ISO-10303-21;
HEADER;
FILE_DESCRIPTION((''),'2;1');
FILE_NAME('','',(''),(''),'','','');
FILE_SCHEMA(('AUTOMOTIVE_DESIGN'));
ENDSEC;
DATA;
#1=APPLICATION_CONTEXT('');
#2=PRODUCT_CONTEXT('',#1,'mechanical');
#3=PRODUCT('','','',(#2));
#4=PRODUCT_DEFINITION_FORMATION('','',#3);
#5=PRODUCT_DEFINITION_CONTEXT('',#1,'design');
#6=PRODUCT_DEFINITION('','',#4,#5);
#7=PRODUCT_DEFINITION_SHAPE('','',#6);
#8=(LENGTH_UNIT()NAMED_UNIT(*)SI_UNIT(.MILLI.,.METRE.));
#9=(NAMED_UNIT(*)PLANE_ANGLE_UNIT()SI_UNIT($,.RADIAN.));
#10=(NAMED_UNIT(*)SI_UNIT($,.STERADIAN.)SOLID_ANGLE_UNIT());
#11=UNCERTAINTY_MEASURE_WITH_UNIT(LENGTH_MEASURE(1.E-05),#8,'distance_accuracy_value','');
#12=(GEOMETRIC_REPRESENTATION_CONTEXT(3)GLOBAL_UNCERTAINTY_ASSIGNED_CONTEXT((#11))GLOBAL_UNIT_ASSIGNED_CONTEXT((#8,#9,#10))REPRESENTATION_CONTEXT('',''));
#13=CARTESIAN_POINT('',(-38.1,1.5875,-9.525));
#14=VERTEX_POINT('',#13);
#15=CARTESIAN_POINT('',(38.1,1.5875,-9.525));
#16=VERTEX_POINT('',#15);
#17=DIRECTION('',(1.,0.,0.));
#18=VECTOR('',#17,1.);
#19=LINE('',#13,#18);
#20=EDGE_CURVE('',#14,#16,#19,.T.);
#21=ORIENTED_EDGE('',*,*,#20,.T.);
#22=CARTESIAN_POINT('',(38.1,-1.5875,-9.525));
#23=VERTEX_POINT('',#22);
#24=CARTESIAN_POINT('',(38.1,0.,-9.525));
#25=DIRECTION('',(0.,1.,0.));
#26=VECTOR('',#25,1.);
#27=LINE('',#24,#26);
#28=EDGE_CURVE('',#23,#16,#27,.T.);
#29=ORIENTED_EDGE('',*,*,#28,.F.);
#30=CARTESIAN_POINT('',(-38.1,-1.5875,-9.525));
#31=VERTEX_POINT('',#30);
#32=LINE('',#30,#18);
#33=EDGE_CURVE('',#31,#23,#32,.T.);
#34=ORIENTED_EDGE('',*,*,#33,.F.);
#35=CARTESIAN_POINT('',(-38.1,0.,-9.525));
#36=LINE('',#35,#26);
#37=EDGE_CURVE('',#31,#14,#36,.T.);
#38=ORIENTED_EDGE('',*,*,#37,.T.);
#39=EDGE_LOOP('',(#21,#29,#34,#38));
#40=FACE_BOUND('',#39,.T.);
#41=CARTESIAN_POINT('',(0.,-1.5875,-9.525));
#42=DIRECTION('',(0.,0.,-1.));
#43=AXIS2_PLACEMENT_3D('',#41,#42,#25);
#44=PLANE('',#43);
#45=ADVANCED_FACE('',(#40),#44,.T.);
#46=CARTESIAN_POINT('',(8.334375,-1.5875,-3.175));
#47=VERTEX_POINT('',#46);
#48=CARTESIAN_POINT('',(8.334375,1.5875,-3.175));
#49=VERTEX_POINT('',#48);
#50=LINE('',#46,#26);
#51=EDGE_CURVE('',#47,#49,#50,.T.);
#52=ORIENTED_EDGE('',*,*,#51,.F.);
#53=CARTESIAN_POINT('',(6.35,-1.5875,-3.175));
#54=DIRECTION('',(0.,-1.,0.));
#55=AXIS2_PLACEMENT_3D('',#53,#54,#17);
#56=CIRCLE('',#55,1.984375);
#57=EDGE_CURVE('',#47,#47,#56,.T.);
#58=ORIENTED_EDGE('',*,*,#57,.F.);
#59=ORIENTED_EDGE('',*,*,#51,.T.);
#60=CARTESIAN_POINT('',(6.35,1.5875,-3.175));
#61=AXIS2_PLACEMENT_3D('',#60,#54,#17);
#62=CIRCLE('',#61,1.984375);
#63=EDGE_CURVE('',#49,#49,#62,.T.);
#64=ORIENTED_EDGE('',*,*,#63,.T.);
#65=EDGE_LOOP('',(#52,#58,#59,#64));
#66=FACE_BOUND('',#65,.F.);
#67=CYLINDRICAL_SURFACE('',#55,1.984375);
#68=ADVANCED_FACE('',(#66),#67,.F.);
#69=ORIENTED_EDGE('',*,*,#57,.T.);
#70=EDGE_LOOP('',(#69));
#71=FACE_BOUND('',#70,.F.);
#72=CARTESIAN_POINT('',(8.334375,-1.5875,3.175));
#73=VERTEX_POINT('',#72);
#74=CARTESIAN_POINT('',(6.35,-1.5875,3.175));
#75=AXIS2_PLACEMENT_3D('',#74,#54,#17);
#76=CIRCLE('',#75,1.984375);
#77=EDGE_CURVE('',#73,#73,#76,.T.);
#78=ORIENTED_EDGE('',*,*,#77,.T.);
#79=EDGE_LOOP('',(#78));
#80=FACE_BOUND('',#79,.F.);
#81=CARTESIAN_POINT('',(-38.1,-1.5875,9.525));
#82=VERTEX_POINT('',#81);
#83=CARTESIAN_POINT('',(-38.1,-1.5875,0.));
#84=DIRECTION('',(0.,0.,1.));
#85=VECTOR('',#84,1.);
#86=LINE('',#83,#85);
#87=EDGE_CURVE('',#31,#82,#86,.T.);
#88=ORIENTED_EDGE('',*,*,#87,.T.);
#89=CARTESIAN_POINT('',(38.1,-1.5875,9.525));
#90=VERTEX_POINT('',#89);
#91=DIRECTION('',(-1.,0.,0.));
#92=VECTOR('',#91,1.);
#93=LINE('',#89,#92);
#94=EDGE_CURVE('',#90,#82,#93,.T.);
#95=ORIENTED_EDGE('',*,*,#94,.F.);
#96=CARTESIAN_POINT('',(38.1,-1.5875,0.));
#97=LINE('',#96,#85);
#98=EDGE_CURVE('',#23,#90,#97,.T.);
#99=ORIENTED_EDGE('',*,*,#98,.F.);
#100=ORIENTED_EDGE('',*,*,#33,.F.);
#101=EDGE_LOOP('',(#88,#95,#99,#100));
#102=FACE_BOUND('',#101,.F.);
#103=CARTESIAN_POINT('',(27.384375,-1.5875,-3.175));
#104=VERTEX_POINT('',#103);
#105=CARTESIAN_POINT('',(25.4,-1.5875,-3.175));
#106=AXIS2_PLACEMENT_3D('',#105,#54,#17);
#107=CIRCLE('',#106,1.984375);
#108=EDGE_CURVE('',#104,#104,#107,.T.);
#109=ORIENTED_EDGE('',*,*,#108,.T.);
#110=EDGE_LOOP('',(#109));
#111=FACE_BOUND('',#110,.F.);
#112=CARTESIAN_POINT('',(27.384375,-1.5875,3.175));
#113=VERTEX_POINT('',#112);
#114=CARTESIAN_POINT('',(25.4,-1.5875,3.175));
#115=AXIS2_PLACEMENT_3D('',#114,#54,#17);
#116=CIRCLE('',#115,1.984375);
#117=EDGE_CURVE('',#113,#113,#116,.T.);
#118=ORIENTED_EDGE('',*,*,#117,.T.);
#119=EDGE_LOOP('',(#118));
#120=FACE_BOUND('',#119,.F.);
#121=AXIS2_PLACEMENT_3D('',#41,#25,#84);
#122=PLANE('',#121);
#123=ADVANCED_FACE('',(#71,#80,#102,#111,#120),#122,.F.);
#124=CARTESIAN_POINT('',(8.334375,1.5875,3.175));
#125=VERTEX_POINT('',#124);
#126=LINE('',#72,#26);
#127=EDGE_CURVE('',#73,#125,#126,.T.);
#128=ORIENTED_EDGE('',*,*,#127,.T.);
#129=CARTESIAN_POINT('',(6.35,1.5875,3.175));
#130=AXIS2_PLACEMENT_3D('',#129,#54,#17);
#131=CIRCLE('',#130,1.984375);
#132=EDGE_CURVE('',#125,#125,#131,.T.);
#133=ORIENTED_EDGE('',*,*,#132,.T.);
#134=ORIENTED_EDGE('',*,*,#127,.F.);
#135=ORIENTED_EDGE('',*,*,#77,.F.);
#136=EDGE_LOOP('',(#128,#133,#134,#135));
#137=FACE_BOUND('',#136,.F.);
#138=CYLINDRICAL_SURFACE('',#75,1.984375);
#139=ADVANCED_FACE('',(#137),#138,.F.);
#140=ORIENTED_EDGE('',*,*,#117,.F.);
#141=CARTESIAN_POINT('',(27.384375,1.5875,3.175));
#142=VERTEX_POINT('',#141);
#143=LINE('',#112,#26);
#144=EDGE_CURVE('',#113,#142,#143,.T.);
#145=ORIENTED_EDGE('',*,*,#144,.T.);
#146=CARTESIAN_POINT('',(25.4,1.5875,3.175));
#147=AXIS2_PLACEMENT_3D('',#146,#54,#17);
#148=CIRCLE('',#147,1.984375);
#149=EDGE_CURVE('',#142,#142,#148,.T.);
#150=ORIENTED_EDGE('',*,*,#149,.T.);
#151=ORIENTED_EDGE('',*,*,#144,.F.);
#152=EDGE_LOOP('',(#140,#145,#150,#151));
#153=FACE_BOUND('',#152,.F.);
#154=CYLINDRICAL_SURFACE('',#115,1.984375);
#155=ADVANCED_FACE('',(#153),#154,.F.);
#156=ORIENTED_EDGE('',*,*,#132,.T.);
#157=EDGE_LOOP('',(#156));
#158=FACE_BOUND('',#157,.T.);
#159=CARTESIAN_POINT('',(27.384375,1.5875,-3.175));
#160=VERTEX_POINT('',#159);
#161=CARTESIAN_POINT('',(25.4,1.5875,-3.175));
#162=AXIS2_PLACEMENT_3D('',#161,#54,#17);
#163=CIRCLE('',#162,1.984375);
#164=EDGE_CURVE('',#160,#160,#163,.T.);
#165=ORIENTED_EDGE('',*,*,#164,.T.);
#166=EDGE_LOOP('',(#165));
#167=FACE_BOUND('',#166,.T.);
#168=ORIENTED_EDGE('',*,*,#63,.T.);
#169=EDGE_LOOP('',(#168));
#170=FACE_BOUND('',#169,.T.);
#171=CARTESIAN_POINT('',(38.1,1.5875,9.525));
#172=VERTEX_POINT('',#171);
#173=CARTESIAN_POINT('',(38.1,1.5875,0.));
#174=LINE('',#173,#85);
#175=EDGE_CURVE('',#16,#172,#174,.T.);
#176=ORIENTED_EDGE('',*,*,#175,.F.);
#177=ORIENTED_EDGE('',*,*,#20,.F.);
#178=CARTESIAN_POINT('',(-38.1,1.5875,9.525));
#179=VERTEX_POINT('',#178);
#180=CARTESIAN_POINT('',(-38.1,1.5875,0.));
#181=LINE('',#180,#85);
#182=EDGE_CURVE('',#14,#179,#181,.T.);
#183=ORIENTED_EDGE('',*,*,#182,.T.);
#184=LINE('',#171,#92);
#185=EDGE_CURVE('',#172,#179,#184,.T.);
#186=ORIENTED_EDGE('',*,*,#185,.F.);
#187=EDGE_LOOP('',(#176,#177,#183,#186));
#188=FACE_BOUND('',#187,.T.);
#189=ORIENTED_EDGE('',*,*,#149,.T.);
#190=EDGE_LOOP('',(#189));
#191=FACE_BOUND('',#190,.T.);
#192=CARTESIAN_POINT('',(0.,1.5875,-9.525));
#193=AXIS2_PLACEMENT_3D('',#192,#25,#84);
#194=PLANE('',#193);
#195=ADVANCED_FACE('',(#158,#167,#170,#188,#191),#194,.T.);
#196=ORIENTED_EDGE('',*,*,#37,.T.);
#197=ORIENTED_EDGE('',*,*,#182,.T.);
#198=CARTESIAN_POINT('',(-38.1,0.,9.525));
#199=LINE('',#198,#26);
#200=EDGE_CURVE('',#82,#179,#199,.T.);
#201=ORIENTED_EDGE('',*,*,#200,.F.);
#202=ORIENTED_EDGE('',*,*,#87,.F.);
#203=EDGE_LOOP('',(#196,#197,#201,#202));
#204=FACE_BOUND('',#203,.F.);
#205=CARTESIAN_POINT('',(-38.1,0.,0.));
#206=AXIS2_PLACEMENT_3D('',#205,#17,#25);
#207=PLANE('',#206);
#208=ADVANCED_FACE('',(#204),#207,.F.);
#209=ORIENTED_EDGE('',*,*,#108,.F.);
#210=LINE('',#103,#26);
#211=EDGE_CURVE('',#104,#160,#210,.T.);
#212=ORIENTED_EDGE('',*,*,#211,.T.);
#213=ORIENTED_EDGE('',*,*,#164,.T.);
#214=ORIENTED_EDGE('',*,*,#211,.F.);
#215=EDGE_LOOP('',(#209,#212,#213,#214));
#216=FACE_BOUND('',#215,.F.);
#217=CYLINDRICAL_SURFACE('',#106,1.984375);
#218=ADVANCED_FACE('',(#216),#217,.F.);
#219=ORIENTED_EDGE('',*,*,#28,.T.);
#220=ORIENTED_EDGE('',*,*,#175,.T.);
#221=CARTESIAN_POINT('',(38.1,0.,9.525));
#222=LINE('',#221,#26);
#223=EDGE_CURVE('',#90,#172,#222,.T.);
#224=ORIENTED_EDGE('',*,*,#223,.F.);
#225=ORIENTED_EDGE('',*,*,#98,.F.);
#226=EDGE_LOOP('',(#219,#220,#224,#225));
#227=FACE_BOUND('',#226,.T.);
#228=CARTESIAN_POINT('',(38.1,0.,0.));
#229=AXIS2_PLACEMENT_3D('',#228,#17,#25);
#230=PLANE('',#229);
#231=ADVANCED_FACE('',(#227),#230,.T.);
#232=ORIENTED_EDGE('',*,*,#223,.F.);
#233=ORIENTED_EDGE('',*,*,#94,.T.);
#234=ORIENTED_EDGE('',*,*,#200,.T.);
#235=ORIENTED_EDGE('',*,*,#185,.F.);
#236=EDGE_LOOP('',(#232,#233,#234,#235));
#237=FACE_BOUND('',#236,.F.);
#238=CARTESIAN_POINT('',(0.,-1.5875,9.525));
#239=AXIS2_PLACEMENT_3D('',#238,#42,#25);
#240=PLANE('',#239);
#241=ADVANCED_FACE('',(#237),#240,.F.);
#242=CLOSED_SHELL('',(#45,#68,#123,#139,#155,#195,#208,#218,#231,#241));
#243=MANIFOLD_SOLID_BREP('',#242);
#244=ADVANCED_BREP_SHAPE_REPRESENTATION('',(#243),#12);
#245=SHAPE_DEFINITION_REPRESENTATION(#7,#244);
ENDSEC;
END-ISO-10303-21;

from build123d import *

# Parameters (mm, degrees)
F0_W     = 3.175
F0_H     = 19.05
F1_DEPTH = 38.1
F2_R     = 1.984375
F3_DEPTH = 3.175


with BuildPart() as f1:
    # F0 (on Right) → F1 (new body, symmetric)
    with BuildSketch(Plane.YZ):
        Rectangle(F0_W, F0_H)
    extrude(amount=F1_DEPTH, both=True)

    # F2 (on face) → F3 (cut, through all)
    with BuildSketch(Plane.XZ.offset(1.5875)):
        with Locations((25.4, -3.175)):
            Circle(F2_R)
        with Locations((6.35, -3.175)):
            Circle(F2_R)
        with Locations((25.4, 3.175)):
            Circle(F2_R)
        with Locations((6.35, 3.175)):
            Circle(F2_R)
    extrude(amount=-F3_DEPTH, mode=Mode.SUBTRACT)


solid = f1.part
